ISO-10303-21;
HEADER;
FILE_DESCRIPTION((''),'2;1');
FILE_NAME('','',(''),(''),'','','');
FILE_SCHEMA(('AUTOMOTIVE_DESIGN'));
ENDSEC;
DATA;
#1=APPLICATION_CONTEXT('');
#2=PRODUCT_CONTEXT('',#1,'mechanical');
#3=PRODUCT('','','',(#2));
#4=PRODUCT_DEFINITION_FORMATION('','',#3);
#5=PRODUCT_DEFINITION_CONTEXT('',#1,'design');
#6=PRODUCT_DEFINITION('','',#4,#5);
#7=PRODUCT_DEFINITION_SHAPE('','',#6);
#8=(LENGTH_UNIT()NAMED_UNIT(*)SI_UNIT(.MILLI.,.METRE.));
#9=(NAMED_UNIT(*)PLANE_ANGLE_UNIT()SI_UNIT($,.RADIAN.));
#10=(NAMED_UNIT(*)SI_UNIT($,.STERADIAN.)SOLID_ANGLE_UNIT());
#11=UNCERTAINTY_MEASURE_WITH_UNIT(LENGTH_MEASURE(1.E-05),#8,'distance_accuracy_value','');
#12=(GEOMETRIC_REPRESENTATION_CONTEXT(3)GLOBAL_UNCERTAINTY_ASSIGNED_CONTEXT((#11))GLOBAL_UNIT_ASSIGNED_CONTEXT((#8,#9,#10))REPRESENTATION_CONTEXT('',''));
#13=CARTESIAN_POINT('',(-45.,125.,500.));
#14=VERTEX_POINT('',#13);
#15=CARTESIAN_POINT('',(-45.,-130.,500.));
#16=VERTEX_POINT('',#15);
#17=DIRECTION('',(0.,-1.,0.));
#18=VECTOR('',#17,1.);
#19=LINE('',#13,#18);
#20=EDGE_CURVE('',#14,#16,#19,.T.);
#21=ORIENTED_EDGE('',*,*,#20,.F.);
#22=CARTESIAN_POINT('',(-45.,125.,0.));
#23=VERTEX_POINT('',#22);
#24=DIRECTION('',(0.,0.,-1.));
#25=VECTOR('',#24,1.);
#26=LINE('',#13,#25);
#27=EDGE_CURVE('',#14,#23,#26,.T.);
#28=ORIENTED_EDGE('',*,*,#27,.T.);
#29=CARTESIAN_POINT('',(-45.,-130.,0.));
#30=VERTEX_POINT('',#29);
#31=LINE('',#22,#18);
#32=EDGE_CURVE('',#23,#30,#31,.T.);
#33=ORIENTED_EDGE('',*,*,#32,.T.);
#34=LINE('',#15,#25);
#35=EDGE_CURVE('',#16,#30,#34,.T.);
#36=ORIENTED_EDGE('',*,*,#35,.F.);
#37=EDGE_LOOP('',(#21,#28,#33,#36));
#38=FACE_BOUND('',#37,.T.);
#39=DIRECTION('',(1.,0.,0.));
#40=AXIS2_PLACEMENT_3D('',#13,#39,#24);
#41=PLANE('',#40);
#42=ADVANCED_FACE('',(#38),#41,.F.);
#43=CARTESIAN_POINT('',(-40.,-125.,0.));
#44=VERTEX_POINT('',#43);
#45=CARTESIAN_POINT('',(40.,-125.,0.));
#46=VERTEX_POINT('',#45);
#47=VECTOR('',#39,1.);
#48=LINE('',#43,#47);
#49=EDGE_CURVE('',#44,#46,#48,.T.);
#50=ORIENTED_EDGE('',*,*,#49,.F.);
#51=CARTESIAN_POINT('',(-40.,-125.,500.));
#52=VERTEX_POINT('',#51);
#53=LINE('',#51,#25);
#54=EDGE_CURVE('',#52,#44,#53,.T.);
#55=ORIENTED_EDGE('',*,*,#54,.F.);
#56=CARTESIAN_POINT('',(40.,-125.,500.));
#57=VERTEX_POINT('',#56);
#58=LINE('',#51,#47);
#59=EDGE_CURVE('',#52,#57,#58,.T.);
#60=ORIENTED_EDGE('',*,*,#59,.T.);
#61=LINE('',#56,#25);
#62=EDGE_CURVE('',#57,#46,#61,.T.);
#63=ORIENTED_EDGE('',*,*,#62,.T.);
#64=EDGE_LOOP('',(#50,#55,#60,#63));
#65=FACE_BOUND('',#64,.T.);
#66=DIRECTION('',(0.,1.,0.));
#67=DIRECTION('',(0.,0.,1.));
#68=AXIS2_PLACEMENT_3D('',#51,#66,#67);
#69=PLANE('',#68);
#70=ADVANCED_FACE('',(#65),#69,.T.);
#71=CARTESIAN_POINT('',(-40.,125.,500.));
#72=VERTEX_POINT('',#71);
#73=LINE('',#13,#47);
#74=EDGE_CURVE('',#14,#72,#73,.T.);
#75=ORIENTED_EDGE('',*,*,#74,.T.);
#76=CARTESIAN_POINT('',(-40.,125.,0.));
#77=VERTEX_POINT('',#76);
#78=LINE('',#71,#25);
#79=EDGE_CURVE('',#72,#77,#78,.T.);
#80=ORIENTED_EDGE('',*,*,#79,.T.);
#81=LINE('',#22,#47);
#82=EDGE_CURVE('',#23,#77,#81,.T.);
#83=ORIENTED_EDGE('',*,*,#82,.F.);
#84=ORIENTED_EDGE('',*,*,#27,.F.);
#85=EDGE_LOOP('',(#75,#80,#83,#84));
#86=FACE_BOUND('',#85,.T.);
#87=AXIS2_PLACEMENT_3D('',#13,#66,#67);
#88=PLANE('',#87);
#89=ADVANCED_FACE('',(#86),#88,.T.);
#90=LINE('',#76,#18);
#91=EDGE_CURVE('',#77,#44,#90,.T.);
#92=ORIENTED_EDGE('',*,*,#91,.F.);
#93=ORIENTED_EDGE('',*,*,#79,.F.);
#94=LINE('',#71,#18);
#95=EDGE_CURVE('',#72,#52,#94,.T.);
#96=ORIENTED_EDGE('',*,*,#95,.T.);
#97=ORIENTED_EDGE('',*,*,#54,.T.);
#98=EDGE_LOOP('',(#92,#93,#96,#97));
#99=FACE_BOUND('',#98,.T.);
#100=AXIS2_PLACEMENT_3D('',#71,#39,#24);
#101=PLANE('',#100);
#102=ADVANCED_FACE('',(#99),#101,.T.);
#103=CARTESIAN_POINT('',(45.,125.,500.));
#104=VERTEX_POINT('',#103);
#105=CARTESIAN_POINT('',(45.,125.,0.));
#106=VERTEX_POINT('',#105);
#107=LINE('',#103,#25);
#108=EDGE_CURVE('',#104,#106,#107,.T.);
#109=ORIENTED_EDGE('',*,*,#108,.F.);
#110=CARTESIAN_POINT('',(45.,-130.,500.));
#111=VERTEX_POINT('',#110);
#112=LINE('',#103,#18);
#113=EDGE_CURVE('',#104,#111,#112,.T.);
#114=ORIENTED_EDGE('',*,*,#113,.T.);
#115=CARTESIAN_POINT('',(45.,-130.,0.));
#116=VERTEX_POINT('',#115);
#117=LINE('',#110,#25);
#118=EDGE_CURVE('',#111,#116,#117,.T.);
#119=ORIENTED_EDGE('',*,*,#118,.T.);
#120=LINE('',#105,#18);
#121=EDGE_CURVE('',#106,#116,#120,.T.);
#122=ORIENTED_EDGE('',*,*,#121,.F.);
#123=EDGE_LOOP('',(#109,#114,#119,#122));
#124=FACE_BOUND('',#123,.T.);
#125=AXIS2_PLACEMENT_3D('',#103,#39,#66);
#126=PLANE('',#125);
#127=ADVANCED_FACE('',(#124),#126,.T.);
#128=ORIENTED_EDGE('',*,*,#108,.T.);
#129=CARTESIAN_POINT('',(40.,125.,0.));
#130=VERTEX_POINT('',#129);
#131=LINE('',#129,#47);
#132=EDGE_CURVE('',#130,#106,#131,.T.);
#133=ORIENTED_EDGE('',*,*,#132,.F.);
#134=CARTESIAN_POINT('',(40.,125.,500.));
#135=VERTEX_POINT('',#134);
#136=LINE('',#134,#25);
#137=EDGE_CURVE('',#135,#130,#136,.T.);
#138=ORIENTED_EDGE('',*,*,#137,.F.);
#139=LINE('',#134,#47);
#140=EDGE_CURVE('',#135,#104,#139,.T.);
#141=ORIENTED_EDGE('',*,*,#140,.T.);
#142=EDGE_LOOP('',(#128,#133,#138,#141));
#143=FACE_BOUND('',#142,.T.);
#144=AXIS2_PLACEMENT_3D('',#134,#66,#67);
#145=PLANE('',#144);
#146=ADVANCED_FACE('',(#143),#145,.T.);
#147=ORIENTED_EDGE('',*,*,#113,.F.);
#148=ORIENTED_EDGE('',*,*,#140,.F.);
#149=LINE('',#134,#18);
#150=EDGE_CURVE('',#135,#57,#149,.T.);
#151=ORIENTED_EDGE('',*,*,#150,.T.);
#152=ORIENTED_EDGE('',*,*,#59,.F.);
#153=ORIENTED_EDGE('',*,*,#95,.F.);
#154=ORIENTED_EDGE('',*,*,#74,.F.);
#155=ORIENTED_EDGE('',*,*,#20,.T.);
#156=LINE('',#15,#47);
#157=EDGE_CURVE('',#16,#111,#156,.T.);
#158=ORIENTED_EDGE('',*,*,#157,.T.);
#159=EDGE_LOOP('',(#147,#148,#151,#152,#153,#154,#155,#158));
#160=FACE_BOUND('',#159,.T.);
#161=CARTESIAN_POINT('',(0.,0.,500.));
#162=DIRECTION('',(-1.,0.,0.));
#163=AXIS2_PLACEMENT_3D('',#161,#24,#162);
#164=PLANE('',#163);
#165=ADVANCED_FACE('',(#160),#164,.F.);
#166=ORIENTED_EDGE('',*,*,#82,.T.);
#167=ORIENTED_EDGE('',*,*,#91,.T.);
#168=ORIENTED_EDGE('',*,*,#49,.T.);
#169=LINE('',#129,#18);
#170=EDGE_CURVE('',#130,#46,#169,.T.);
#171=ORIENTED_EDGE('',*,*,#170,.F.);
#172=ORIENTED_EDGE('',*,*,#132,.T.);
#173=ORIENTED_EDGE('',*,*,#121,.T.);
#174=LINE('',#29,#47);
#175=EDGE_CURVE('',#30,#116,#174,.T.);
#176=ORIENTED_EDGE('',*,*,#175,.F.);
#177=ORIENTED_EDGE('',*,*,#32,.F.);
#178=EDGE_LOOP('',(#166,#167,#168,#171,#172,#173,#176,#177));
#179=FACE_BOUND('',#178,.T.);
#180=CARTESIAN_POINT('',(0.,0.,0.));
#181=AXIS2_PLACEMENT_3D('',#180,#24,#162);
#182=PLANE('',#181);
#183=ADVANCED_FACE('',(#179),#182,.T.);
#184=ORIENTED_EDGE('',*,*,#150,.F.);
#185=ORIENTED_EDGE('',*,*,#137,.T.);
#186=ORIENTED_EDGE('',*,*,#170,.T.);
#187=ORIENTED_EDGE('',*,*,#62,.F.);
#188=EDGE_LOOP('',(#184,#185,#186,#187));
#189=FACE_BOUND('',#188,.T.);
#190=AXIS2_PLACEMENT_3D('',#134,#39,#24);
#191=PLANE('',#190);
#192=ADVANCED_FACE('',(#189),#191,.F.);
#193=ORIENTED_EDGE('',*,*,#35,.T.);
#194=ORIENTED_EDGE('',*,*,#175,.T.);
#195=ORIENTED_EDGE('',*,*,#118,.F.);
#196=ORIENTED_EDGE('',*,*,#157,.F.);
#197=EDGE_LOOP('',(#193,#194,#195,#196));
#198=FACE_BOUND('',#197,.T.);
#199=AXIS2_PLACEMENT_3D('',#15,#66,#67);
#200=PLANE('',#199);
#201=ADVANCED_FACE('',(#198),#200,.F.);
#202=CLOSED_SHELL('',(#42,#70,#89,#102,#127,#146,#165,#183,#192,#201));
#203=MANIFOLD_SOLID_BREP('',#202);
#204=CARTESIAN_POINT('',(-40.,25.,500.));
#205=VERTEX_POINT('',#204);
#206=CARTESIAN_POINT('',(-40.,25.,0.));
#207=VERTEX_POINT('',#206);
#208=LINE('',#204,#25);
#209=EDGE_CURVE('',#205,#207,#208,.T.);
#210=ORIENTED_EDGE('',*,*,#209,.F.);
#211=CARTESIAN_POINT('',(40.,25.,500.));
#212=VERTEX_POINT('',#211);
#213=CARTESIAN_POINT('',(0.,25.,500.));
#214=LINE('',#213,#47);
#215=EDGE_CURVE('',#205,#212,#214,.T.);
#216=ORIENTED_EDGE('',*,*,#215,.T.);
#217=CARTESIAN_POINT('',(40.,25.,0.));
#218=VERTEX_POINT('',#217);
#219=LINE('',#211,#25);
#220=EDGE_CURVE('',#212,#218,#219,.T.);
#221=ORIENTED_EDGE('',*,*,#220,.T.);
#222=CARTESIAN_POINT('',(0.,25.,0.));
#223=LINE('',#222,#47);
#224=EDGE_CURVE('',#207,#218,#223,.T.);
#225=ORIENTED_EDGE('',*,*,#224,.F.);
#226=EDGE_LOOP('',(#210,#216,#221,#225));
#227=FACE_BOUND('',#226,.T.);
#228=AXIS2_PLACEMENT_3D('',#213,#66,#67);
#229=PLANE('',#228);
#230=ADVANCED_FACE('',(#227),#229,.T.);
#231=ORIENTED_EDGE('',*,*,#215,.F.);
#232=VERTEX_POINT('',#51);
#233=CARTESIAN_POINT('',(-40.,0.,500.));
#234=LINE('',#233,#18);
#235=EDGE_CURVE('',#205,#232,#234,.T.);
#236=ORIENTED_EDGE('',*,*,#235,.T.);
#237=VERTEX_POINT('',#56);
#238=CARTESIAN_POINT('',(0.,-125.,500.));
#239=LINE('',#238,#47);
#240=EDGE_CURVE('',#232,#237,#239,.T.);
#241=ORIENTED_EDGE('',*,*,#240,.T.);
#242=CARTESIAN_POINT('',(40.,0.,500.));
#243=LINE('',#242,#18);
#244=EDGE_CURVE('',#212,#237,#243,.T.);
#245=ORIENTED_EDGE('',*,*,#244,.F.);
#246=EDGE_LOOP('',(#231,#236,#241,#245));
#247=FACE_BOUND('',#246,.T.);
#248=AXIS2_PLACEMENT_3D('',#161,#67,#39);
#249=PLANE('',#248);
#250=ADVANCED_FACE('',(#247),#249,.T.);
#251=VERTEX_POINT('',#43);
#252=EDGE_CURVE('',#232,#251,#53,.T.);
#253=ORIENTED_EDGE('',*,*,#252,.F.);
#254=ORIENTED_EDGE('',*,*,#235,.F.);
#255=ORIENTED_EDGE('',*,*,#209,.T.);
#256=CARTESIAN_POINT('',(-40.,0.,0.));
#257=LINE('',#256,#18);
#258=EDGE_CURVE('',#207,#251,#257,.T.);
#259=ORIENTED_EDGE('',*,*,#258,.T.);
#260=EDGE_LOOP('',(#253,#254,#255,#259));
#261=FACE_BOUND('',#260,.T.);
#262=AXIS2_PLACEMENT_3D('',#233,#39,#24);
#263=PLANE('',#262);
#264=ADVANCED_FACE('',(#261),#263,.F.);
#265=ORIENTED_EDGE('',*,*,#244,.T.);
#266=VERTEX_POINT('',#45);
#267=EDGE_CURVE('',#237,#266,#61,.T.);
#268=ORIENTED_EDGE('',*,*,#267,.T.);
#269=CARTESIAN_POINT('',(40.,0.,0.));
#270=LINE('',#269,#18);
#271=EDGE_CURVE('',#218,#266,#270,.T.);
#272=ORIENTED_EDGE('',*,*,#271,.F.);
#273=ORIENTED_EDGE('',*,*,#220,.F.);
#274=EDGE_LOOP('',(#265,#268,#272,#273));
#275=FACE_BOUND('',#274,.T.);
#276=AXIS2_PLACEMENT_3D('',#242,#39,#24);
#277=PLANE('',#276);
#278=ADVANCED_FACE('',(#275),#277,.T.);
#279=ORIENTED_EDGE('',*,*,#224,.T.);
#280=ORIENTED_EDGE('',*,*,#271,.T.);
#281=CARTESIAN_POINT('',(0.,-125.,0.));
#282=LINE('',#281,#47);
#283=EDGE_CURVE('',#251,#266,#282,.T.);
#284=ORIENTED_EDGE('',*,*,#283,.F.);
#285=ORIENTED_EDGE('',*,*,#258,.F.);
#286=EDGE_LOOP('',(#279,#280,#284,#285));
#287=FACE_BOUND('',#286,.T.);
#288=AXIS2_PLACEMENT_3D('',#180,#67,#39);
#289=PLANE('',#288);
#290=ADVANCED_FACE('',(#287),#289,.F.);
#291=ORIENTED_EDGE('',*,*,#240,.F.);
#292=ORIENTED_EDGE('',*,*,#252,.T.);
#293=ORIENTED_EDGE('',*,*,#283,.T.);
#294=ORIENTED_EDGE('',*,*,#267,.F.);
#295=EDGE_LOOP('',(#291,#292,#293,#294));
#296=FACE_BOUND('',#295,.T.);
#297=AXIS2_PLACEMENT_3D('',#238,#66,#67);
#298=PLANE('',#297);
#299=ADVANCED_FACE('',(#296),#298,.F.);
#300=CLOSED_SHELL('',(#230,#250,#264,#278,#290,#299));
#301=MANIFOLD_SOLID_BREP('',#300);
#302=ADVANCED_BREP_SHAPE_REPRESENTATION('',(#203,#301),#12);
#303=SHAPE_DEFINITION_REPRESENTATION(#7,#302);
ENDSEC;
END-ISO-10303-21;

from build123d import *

# Parameters (mm, degrees)
BOSS_EXTRUDE1_DEPTH = 500
SKETCH1_4_W         = 80
SKETCH1_4_H         = 150
BOSS_EXTRUDE3_DEPTH = 500


with BuildPart() as part:
    # Sketch1 → Boss-Extrude1 (new body)
    with BuildSketch(Plane.XY):
        Polygon((45, 125), (45, -130), (-45, -130), (-45, 125), (-40, 125), (-40, -125), (40, -125), (40, 125), align=None)
    extrude(amount=BOSS_EXTRUDE1_DEPTH)


with BuildPart() as body_2:
    # Sketch1<4> → Boss-Extrude3 (new body)
    with BuildSketch(Plane.XY):
        with Locations((0, -50)):
            Rectangle(SKETCH1_4_W, SKETCH1_4_H)
    extrude(amount=BOSS_EXTRUDE3_DEPTH)


solid = Compound([part.part, body_2.part])
